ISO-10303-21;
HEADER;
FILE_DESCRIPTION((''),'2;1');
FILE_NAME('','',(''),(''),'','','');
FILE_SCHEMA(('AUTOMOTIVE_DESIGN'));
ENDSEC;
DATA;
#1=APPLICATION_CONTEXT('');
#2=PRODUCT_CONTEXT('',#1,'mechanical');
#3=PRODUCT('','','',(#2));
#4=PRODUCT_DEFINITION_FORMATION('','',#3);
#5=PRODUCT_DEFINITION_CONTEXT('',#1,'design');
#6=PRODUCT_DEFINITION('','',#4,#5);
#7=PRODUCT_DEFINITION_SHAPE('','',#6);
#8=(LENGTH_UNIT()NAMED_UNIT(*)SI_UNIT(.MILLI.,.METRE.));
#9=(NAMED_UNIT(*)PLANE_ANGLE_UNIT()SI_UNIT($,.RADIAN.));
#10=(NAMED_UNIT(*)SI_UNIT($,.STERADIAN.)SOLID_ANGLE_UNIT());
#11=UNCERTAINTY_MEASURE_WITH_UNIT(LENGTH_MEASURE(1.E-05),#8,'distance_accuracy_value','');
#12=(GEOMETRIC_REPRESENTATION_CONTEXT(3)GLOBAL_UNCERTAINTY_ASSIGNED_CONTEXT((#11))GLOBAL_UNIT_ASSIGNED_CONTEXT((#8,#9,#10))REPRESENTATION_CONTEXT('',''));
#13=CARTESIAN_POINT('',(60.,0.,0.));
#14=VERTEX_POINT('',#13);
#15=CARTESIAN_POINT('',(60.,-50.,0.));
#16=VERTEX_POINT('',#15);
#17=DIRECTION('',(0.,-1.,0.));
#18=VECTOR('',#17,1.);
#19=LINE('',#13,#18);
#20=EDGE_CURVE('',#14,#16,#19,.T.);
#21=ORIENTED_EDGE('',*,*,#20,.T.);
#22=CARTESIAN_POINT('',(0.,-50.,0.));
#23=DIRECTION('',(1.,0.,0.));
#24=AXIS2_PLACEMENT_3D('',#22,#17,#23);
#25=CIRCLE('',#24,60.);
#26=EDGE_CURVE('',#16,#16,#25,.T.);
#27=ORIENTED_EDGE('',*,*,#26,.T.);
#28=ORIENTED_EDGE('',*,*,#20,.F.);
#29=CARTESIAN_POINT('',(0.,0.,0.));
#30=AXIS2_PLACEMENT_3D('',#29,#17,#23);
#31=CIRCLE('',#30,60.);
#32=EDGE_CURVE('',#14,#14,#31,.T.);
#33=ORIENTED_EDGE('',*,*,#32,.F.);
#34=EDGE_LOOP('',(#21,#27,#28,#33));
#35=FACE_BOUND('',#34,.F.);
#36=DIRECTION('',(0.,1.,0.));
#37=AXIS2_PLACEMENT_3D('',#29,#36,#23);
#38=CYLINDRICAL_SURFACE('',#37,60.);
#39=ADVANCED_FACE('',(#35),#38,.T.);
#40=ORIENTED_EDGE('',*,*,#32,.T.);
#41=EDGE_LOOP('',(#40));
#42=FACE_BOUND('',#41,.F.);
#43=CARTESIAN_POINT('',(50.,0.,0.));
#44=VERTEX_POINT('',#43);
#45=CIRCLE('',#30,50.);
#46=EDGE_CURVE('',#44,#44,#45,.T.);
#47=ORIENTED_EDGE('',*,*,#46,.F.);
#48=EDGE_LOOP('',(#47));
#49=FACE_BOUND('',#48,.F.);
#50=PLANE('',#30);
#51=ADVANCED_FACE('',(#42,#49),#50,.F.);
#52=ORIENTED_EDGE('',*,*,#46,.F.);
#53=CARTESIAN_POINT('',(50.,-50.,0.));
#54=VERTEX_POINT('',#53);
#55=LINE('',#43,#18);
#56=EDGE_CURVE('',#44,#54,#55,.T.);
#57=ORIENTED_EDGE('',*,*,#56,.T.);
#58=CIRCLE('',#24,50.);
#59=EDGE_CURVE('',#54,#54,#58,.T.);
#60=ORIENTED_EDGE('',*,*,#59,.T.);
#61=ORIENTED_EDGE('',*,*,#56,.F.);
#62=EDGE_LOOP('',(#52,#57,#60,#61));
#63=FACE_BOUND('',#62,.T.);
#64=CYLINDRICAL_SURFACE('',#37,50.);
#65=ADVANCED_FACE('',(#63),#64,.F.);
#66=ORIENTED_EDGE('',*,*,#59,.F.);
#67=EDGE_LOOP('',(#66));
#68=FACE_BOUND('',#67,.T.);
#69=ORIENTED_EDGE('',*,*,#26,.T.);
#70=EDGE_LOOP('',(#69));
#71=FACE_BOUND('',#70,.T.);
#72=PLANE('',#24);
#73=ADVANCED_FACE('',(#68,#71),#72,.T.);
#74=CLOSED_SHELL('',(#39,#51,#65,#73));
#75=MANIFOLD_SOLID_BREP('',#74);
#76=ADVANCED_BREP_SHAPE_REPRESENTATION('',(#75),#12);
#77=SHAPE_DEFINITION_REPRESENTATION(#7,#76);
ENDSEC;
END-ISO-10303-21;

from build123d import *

# Parameters (mm, degrees)
SKETCH_R   = 60
SKETCH_R_2 = 50
PAD_DEPTH  = 50


with BuildPart() as part:
    # Sketch → Pad (new body)
    with BuildSketch(Plane.XZ):
        Circle(SKETCH_R)
        Circle(SKETCH_R_2, mode=Mode.SUBTRACT)
    extrude(amount=PAD_DEPTH)


solid = part.part
